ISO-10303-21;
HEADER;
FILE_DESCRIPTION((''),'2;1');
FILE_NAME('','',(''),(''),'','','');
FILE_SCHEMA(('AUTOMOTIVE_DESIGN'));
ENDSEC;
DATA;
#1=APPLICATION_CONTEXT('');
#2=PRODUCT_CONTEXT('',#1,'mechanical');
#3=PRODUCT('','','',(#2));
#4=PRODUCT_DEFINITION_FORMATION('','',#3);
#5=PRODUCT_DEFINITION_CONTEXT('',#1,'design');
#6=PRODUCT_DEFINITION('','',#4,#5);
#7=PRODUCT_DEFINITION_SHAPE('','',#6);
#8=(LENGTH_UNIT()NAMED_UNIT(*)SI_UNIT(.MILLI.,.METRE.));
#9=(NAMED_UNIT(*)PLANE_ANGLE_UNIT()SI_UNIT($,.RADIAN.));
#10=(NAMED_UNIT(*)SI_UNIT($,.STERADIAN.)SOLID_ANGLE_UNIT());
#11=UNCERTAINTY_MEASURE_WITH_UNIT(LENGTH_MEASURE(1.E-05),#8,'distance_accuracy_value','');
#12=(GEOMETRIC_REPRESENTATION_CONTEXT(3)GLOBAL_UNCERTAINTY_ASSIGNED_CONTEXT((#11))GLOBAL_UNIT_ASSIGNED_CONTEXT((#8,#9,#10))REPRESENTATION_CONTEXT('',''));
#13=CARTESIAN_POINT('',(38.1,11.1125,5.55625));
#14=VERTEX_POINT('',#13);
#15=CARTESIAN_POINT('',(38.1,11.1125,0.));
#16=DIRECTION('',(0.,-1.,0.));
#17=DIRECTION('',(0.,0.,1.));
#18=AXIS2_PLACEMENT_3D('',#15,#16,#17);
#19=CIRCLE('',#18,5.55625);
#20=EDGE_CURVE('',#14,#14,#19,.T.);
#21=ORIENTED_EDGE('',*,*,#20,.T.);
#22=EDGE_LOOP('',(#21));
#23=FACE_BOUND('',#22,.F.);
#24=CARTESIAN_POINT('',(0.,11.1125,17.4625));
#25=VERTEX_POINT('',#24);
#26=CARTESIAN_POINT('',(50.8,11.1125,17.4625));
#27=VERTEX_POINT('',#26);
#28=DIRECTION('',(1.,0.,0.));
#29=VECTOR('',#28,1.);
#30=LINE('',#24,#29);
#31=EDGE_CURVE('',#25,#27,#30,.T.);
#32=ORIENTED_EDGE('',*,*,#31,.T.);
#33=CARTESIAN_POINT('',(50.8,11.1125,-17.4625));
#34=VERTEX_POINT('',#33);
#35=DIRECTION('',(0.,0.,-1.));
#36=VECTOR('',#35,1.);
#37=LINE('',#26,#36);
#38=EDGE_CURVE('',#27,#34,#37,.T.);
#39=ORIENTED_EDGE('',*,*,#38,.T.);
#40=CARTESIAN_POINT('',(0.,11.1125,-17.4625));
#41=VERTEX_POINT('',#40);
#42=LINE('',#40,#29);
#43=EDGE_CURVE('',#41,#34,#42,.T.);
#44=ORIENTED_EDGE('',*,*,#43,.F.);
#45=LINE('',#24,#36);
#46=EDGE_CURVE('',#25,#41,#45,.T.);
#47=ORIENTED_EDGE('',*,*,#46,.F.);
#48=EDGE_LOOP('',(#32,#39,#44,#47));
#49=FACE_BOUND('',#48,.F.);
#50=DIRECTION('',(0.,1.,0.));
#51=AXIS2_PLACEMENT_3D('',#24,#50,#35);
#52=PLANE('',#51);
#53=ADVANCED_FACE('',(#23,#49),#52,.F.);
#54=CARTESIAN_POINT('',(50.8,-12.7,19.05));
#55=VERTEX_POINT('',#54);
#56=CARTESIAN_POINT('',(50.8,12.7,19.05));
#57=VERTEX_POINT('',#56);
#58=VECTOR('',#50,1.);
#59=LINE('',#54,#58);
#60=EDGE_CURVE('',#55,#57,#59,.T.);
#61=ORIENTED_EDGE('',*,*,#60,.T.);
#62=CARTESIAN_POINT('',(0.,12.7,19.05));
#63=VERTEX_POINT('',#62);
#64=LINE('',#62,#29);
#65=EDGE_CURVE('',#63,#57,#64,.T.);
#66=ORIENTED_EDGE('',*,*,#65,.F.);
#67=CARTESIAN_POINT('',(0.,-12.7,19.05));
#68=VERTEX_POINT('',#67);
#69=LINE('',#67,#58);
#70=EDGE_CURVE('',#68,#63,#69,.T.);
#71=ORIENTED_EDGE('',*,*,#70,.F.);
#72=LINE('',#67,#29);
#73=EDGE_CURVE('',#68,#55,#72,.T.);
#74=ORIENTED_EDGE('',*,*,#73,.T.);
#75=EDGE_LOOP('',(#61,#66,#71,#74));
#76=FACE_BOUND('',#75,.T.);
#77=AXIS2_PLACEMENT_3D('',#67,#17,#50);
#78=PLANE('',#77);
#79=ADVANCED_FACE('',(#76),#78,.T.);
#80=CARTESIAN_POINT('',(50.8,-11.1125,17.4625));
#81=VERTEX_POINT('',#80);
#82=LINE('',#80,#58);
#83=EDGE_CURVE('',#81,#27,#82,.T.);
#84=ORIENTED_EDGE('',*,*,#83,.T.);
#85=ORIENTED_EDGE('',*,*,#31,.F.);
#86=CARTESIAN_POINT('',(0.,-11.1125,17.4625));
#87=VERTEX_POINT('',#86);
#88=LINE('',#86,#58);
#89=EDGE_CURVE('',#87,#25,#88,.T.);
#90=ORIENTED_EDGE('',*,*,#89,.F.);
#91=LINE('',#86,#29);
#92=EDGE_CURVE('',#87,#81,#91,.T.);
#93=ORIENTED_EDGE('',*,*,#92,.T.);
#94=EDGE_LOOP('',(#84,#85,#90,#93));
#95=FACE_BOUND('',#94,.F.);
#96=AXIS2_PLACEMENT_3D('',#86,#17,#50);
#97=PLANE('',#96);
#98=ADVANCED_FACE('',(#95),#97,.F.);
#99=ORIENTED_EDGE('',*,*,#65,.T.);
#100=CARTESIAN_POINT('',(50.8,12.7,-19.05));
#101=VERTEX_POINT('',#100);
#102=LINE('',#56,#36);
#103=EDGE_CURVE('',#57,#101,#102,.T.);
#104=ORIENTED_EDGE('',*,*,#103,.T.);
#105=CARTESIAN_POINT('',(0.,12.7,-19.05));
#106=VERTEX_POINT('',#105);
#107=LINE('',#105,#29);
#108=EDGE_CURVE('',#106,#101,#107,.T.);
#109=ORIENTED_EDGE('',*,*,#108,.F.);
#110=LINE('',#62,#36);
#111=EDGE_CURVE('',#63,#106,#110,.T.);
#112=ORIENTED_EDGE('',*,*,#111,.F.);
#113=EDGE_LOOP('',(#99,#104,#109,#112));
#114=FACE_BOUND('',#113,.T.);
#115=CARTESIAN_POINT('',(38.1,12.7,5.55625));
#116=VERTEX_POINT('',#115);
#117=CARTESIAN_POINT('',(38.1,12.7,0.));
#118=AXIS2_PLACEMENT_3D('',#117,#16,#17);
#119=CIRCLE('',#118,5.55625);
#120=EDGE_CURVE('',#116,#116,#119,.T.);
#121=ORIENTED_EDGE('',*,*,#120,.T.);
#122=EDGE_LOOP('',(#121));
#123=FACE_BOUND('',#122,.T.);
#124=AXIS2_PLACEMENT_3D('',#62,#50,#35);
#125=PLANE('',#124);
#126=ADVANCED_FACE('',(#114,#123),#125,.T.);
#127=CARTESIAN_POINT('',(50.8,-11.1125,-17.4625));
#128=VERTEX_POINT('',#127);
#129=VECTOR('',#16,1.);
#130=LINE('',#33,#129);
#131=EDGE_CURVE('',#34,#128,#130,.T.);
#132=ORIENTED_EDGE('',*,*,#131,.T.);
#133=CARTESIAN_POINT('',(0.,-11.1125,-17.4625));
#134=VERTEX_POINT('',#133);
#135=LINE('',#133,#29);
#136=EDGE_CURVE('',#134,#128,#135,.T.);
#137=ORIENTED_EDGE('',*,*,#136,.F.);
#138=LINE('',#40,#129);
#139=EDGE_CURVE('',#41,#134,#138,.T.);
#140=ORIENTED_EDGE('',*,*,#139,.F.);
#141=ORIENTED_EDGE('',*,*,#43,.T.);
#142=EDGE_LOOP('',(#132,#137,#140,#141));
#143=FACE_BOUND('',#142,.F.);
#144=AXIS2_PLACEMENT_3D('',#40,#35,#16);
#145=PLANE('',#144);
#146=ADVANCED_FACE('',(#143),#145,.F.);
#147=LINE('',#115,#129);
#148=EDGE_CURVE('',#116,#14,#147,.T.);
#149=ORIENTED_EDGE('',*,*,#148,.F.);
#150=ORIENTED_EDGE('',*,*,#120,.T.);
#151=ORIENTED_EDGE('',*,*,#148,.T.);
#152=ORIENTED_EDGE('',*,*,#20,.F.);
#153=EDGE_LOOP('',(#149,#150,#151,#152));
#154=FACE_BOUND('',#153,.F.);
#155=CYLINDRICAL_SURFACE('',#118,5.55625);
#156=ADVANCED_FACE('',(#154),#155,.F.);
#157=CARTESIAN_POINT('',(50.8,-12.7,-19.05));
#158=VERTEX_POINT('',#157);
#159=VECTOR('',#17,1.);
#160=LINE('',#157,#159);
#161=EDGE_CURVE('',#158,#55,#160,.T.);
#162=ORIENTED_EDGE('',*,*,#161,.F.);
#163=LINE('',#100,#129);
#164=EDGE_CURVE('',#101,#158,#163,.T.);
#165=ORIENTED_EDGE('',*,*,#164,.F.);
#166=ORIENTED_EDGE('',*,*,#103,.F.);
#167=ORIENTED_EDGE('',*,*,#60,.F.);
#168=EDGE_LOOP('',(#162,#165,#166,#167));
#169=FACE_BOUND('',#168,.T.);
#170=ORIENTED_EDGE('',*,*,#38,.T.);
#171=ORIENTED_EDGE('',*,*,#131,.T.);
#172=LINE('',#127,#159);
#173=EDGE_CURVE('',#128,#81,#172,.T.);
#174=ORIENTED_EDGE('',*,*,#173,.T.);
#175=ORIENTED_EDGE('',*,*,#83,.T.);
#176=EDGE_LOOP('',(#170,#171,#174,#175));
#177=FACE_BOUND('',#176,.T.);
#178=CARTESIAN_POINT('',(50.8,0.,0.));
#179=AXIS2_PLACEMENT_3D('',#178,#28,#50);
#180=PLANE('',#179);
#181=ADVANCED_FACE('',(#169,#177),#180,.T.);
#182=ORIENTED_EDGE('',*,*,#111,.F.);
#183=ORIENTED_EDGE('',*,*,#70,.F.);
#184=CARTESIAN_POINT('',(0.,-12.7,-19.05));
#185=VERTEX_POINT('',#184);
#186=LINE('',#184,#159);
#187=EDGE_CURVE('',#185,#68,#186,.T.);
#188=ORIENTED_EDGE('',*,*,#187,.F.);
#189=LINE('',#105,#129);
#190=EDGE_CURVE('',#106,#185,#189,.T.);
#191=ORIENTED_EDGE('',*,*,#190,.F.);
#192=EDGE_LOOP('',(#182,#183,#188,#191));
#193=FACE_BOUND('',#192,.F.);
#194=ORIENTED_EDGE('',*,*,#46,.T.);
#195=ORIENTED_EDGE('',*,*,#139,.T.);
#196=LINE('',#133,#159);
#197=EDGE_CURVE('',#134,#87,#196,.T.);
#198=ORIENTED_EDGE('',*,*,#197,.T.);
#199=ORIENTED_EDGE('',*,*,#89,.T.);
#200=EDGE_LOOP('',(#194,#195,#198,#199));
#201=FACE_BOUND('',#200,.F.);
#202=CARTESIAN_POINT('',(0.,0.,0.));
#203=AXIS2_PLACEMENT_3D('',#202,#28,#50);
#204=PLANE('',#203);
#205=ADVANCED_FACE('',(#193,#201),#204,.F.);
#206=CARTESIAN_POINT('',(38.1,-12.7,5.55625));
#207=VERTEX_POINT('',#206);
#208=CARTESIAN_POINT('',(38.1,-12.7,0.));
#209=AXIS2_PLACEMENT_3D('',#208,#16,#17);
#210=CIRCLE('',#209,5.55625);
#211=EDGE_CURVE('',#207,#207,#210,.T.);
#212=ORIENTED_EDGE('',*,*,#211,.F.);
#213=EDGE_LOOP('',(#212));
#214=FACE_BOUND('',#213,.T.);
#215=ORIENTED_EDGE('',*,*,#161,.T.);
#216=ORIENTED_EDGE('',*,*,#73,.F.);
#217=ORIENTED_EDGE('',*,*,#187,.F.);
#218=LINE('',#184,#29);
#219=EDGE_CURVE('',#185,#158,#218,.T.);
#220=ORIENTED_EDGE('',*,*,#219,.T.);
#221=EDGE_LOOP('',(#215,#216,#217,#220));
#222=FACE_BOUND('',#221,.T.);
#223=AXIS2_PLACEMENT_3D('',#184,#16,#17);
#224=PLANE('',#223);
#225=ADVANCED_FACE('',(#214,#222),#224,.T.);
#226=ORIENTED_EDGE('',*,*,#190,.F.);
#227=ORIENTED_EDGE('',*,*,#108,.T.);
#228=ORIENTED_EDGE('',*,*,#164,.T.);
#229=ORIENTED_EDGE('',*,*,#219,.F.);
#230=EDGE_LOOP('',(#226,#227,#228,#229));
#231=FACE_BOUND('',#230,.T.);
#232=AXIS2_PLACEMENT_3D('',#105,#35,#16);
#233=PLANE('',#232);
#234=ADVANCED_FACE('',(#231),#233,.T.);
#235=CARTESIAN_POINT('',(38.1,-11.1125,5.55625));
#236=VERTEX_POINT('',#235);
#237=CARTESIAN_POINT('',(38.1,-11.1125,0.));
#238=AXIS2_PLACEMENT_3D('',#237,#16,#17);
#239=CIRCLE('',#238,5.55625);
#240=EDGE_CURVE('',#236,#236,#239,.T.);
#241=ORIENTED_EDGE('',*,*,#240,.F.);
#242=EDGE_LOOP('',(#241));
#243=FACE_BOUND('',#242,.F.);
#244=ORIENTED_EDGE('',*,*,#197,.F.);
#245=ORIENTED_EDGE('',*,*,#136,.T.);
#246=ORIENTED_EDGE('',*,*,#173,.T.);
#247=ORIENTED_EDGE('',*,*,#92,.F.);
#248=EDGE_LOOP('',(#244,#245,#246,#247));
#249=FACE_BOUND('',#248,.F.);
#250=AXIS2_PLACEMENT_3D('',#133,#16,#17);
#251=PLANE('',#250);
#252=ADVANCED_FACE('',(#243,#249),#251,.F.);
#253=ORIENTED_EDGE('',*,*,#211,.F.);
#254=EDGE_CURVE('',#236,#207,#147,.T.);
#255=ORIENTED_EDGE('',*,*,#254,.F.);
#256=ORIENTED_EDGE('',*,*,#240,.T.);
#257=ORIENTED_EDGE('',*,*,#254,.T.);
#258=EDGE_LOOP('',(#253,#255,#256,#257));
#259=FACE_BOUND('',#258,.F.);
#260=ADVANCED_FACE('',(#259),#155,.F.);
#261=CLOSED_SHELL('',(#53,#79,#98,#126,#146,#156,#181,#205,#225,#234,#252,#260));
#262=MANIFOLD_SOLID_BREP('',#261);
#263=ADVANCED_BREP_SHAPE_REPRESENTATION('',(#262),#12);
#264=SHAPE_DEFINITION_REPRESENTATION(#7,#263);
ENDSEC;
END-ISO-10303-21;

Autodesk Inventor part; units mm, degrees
ref_plane "Work Plane3" through (0, 12.7, 0) normal (0, 1, 0) x (-1, 0, 0)
ref_plane "Start Plane" through (0, 0, 0) normal (1, 0, 0) x (0, 1, 0)
ref_plane "End Plane" through (50.8, 0, 0) normal (1, 0, 0) x (0, 1, 0)
sketch "Sketch" plane through (0, 0, 0) normal (1, 0, 0) x (0, 1, 0)
  line L0 (-12.7, 19.05) -> (12.7, 19.05)
  line L1 (12.7, 19.05) -> (12.7, -19.05)
  line L2 (12.7, -19.05) -> (-12.7, -19.05)
  line L3 (-12.7, -19.05) -> (-12.7, 19.05)
  line L4 (-12.7, 19.05) -> (12.7, -19.05) construction
  line L5 (12.7, 19.05) -> (-12.7, -19.05) construction
  line L6 (-11.1125, 17.4625) -> (11.1125, 17.4625)
  line L7 (11.1125, 17.4625) -> (11.1125, -17.4625)
  line L8 (11.1125, -17.4625) -> (-11.1125, -17.4625)
  line L9 (-11.1125, -17.4625) -> (-11.1125, 17.4625)
  line L10 (-11.1125, 17.4625) -> (11.1125, -17.4625) construction
  line L11 (11.1125, 17.4625) -> (-11.1125, -17.4625) construction
  point P0 (0, 0)
  dimension "d0" = 38.1
  dimension "d1" = 25.4
  dimension "d2" = 1.5875
  dimension "d3" = 1.5875
extrude "Body" add sketch "Sketch" along normal up to surface (50.8 mm away) from surface at 0
sketch "Sketch8" plane through (0, 0, 0) normal (1, 0, 0) x (0, 1, 0)
  line L0 (0, 0) -> (10, 0)
ref_plane "Work Plane6" through (0, 0, 0) normal (0, 0, -1) x (0, 1, 0)
sketch "Sketch9" plane through (0, 0, 0) normal (0, 0, -1) x (0, 1, 0)
  line L0 (-17.78, 0) -> (17.78, 0)
  line L1 (-17.78, 50.8) -> (17.78, 50.8)
  dimension "d21" = 50.8
sketch "Sketch5" plane through (0, 12.7, -19.05) normal (0, 1, 0) x (1, 0, 0)
  line L0 (0, -38.1) -> (0, 0) projected
  point P0 (0, -19.05)
  point P1 (38.1, -19.05)
  dimension "d22" = 38.1
hole "Hole2" at (38.1, 12.7, 0) direction (0, -1, 0) diameter 11.1125 end through all
equation "\"d3\" = d2"
equation "\"G_OFFSET_START\" = 0"
equation "\"G_OFFSET_END\" = 0"
equation "\"d17\" = d4 + G_OFFSET_END"
equation "\"G_L\" = d21"
equation "\"d4\" = 50.8"
properties part number "1606067045649"
